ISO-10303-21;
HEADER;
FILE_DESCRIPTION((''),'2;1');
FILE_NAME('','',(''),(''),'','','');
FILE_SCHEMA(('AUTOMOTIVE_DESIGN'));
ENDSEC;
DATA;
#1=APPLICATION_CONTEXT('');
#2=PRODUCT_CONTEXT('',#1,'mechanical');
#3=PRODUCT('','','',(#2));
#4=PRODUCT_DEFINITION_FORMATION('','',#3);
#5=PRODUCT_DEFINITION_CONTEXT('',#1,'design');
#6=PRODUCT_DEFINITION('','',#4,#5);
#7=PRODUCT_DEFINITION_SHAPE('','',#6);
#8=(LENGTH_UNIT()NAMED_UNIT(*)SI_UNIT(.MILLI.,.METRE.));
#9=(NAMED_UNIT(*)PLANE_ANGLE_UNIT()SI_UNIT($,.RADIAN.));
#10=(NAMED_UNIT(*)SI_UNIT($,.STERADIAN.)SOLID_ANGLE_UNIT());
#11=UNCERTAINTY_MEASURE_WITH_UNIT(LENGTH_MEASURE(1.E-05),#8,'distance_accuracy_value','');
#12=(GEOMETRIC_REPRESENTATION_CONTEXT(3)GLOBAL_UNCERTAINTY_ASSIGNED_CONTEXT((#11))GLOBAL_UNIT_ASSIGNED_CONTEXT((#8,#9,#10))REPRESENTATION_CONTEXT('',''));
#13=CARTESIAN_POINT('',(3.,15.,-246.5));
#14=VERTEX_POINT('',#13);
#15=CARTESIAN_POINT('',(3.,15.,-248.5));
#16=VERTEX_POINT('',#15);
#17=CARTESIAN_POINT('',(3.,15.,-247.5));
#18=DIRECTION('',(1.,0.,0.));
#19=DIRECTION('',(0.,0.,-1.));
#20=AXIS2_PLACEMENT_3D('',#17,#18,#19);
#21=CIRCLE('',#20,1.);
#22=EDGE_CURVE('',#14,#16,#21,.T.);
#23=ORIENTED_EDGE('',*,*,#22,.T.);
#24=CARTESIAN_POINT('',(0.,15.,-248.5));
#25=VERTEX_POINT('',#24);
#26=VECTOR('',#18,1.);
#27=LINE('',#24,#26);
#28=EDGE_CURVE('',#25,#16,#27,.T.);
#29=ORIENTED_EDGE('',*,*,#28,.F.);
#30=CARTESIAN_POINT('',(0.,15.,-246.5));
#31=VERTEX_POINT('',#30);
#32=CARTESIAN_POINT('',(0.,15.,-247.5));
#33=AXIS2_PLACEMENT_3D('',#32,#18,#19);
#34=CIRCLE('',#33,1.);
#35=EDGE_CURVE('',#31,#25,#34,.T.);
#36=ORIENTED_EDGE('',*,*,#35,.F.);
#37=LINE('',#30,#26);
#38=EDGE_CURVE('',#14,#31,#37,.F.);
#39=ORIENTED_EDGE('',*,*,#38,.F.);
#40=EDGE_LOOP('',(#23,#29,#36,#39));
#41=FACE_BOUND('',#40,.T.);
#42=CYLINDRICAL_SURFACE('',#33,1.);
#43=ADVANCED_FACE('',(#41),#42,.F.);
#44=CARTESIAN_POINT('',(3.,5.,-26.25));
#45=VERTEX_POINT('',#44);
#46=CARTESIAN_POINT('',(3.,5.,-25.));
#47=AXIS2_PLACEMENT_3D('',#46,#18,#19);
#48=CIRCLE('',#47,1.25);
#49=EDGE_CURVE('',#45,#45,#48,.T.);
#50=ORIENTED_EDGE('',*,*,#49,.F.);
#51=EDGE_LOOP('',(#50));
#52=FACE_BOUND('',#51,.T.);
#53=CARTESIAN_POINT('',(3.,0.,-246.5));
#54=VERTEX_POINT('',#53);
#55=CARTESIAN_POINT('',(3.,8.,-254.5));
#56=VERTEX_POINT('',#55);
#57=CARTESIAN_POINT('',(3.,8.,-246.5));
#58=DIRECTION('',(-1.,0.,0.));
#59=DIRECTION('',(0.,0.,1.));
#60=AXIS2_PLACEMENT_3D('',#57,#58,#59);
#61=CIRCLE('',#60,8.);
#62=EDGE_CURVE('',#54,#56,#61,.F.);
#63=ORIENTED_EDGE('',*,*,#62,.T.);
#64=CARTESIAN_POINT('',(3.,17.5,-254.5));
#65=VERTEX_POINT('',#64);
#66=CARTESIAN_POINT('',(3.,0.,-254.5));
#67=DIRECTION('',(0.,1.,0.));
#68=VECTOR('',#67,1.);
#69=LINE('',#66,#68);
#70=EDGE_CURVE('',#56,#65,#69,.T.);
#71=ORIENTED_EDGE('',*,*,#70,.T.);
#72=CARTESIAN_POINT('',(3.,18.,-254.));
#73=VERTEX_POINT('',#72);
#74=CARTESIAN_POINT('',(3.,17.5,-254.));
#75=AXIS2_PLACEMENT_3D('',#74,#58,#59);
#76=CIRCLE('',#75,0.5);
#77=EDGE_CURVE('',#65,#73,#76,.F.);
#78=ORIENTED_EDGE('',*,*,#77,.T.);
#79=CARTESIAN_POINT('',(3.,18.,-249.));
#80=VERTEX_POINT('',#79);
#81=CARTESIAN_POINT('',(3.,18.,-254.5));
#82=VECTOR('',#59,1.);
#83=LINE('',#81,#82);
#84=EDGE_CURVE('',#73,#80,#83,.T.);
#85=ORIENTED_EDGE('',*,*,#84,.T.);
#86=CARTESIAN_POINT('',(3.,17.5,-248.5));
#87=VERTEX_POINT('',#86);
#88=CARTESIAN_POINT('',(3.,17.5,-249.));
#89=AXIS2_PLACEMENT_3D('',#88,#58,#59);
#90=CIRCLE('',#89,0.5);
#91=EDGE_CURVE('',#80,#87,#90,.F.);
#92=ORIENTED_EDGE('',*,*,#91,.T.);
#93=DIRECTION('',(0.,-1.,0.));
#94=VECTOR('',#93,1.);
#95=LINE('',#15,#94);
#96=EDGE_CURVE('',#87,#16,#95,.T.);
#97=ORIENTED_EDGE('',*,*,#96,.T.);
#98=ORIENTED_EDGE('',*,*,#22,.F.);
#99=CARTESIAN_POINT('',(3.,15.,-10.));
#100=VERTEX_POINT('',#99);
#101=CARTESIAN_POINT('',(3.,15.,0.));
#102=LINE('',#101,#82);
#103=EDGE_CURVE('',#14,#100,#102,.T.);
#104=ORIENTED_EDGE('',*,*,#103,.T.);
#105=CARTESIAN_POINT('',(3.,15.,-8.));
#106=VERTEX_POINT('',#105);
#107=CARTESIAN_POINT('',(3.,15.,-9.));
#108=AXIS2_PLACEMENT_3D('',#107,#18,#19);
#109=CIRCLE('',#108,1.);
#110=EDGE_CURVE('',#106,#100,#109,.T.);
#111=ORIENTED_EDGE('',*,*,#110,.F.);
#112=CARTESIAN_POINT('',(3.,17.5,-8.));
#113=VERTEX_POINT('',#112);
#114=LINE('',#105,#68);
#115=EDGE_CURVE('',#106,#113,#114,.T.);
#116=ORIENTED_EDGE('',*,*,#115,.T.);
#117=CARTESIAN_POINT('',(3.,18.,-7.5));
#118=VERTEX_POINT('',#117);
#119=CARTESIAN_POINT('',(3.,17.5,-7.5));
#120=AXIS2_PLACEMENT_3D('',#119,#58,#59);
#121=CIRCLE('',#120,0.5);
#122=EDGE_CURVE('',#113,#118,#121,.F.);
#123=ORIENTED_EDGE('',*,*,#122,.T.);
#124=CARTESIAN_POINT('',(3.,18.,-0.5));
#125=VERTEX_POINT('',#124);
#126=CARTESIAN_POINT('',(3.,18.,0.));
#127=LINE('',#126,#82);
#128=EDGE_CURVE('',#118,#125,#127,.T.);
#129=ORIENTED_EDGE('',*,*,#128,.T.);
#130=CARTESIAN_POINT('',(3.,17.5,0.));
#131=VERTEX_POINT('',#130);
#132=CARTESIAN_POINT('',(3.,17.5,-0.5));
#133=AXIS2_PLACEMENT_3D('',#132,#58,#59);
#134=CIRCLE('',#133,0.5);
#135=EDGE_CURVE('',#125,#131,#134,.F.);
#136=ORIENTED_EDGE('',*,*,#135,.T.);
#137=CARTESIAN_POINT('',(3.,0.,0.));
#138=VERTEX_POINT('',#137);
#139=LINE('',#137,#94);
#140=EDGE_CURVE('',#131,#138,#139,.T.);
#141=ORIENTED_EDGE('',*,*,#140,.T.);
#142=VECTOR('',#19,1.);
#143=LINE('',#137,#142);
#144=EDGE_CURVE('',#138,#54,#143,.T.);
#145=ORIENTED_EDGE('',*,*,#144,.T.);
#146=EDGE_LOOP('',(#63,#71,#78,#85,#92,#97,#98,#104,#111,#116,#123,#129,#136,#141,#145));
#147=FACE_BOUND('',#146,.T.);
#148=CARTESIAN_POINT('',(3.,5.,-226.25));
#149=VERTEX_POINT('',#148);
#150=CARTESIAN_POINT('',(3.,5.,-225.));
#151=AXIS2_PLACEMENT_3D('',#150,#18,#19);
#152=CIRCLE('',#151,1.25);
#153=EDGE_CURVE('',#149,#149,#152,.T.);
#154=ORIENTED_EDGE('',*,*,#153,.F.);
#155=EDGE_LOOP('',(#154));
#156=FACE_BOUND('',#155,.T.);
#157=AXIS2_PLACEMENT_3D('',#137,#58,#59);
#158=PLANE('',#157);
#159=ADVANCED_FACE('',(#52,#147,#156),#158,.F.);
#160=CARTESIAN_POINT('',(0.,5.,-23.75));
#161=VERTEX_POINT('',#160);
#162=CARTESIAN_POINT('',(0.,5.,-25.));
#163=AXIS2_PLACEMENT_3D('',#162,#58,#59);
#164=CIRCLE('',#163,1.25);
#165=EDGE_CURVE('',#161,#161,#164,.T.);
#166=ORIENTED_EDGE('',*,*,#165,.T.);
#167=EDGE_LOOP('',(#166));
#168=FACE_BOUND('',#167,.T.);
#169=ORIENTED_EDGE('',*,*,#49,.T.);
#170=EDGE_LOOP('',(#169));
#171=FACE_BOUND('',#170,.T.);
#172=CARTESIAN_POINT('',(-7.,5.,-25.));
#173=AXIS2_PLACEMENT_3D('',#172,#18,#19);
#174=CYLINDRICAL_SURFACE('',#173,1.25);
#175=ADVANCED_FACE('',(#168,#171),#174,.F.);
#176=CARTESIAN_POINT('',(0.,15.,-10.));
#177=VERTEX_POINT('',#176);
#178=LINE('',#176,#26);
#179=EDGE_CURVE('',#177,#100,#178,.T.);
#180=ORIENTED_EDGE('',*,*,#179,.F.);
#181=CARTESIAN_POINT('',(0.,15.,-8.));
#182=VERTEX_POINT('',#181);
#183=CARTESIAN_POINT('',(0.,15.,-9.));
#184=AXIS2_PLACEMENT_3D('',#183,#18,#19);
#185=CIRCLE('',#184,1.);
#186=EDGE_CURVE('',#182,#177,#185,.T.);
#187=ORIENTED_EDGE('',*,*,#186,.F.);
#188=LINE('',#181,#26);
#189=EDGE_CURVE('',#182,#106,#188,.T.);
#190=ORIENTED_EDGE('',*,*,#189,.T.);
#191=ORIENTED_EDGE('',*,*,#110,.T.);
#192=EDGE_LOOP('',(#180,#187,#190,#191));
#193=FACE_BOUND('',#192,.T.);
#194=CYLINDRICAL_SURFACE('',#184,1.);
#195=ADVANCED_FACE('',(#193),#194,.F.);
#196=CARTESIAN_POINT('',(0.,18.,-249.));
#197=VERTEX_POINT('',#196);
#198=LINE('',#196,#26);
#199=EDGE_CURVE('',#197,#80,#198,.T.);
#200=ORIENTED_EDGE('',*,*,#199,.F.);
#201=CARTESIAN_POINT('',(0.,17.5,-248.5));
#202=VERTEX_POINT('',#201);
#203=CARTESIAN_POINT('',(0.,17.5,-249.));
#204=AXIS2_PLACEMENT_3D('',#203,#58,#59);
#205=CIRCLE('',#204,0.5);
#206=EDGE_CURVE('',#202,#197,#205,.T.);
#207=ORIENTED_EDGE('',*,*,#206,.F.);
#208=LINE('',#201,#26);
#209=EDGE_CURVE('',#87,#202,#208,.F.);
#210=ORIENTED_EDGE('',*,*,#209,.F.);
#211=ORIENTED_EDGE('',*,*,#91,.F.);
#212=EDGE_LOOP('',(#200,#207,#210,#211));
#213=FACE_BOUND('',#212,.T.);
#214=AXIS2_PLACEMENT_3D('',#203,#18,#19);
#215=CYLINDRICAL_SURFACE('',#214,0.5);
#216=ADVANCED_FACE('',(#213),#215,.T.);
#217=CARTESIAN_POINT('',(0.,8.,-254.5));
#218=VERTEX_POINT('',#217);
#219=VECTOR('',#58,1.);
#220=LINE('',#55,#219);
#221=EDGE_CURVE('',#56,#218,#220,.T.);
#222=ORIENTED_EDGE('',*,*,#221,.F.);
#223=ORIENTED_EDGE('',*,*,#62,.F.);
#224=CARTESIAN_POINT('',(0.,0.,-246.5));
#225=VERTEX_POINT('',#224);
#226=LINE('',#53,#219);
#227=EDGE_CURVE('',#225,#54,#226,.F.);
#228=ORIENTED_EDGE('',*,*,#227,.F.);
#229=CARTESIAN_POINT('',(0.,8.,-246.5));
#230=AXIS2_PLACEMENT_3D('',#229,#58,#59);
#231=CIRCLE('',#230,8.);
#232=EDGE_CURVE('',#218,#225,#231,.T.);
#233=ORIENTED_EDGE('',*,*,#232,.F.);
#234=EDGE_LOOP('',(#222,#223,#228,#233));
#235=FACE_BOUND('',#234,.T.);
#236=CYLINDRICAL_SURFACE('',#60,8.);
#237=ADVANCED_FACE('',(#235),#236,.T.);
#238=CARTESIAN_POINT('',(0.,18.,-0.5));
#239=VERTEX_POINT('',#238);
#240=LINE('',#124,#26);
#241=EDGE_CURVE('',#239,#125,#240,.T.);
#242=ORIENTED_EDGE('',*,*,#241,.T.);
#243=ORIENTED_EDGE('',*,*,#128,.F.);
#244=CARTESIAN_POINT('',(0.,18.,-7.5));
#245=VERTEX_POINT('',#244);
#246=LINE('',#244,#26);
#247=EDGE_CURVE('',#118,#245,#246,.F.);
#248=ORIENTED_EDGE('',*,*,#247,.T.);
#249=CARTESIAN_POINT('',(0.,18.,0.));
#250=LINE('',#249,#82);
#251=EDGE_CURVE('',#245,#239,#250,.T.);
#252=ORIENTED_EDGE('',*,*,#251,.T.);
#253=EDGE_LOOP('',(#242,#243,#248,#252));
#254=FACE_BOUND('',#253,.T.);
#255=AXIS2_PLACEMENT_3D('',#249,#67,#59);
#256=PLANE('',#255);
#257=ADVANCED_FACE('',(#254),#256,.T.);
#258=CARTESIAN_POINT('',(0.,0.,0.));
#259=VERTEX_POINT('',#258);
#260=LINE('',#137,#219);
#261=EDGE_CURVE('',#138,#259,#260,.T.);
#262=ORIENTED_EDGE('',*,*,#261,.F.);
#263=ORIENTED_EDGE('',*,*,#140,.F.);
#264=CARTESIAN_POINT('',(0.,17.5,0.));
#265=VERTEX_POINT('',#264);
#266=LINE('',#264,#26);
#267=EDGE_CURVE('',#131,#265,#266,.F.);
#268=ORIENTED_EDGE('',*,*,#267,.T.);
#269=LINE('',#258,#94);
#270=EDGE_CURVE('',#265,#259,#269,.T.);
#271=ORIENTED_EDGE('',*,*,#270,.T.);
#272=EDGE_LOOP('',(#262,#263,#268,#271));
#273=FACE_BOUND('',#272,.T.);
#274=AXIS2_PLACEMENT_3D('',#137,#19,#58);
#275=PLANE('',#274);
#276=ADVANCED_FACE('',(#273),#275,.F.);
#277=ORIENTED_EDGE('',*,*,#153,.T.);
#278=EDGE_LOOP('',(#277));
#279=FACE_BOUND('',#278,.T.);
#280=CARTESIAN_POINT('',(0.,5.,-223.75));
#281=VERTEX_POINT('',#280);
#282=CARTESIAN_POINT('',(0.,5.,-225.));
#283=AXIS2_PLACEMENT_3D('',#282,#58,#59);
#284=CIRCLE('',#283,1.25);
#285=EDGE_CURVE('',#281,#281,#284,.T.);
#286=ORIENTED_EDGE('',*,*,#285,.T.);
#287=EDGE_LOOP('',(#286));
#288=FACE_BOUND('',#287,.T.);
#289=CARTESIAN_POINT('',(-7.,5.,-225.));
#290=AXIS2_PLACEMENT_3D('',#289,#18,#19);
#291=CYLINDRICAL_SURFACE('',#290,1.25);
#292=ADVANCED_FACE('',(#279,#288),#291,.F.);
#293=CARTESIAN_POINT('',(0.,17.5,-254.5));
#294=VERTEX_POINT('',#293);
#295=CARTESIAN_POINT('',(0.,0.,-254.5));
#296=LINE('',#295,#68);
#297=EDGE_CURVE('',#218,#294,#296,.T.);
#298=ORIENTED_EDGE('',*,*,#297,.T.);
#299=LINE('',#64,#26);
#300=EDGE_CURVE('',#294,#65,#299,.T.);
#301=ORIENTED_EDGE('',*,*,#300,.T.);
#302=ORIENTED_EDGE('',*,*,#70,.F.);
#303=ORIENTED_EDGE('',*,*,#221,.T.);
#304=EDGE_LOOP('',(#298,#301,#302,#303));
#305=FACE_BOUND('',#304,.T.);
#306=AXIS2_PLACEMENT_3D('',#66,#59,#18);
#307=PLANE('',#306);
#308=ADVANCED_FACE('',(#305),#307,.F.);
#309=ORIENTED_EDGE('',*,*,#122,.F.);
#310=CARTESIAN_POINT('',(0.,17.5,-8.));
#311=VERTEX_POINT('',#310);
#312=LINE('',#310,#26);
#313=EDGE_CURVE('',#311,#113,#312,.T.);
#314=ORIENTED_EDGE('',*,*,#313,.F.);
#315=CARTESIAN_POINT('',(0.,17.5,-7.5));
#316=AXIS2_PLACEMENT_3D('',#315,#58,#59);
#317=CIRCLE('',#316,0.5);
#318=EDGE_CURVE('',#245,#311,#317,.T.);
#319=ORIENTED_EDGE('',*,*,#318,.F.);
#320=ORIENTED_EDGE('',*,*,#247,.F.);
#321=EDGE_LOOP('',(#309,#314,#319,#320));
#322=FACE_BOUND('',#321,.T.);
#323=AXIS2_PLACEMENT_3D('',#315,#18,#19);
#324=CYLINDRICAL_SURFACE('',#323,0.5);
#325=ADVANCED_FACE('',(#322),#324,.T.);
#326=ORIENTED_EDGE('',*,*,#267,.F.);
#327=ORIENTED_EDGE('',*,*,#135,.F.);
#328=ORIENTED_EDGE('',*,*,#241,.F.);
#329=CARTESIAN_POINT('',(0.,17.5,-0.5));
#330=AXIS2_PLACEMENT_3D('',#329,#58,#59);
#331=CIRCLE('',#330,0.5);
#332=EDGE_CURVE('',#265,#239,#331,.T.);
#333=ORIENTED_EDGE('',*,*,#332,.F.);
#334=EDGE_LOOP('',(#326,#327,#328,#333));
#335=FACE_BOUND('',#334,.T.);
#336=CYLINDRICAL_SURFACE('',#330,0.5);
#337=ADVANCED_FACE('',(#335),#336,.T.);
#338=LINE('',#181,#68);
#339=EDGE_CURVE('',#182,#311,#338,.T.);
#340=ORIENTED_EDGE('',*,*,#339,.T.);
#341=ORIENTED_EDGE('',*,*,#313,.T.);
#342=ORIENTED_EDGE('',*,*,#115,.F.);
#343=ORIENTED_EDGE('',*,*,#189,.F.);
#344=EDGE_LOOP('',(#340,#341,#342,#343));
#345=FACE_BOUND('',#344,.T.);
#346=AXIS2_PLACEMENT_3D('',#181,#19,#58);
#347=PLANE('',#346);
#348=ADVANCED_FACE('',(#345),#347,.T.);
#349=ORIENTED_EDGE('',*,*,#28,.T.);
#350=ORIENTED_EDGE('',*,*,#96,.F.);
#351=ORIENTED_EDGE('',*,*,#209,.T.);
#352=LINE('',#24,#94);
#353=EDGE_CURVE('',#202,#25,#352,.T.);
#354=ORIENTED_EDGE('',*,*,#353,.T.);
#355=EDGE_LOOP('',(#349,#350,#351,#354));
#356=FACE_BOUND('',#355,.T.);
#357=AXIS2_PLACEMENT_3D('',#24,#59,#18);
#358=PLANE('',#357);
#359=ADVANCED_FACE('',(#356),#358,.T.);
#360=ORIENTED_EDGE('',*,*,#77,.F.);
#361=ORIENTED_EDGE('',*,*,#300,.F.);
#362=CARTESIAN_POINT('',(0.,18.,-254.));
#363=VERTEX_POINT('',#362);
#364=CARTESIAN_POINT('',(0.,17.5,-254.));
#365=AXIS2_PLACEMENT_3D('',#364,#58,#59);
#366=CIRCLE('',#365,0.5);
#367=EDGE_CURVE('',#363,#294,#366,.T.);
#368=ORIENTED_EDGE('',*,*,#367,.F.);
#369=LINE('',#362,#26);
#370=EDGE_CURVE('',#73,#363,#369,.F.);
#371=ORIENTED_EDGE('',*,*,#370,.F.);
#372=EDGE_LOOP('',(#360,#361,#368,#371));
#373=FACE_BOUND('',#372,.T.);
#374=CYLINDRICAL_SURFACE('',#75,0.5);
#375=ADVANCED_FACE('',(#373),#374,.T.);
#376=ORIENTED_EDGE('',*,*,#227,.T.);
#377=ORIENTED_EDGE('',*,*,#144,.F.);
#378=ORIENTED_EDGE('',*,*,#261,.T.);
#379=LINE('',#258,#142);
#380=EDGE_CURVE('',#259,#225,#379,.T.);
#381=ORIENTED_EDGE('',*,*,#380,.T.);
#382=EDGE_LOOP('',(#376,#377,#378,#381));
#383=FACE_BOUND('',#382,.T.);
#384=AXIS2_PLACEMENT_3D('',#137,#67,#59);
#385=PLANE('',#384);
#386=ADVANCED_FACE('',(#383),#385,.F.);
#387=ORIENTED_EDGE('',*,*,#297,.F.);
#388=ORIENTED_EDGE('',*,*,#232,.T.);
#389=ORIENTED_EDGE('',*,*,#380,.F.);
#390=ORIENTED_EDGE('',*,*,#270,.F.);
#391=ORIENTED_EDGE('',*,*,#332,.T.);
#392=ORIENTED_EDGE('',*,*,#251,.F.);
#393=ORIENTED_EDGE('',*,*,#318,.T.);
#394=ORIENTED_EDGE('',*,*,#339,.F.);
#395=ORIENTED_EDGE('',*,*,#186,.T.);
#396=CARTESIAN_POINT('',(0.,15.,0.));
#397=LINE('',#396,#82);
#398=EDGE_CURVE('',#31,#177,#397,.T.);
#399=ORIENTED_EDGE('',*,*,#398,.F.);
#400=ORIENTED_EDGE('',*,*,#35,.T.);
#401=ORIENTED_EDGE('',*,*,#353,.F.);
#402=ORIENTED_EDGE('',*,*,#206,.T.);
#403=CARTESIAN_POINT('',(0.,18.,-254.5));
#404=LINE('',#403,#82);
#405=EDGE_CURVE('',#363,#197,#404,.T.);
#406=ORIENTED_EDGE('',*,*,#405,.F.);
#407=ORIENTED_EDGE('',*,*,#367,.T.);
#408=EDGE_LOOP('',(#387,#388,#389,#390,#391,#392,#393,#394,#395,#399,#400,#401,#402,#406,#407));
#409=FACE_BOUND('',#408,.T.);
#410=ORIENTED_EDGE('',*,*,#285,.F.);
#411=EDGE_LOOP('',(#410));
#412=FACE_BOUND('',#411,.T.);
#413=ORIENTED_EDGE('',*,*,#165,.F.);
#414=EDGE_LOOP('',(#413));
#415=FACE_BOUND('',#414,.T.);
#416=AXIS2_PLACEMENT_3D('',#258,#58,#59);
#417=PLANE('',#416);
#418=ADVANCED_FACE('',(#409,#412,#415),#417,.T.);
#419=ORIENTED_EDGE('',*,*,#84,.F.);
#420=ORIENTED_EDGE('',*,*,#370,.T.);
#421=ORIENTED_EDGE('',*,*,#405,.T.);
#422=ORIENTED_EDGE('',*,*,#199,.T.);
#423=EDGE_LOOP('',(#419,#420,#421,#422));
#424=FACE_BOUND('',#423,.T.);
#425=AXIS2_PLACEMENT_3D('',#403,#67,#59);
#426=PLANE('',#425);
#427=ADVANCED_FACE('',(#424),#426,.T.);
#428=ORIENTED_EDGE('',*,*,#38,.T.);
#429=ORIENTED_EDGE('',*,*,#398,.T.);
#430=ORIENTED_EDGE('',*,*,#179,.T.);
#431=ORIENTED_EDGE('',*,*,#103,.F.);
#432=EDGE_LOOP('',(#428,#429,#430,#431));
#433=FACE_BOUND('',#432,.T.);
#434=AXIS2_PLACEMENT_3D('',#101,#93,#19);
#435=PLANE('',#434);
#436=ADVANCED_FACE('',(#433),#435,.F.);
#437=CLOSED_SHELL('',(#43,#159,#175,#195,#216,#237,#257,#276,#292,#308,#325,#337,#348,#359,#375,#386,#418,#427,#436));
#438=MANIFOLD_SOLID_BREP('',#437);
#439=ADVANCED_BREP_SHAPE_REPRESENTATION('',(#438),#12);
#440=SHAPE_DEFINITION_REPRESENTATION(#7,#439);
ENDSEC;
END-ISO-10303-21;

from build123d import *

# Parameters (mm, degrees)
SKETCH_1_W          = 254.5
SKETCH_1_H          = 15
EXTRUDE_1_DEPTH     = 3
SKETCH_2_W          = 8
SKETCH_2_H          = 3
SKETCH_2_W_2        = 6
EXTRUDE_2_DEPTH     = 3
SKETCH_3_R          = 1
CUT_EXTRUDE_1_DEPTH = 3
FILLET_1_R          = 0.5
SKETCH_4_R          = 1.25
CUT_EXTRUDE_2_DEPTH = 10
FILLET_2_R          = 8


with BuildPart() as part:
    # 스케치1 → 보스-돌출1 (new body)
    with BuildSketch(Plane(origin=(0, 0, 0), x_dir=(0, 0, -1), z_dir=(1, 0, 0))):
        with Locations((127.25, 7.5)):
            Rectangle(SKETCH_1_W, SKETCH_1_H)
    extrude(amount=EXTRUDE_1_DEPTH)

    # 스케치2 → 보스-돌출2 (add)
    with BuildSketch(Plane(origin=(3, 0, 0), x_dir=(0, 0, -1), z_dir=(1, 0, 0))):
        with Locations((4, 16.5)):
            Rectangle(SKETCH_2_W, SKETCH_2_H)
        with Locations((251.5, 16.5)):
            Rectangle(SKETCH_2_W_2, SKETCH_2_H)
    extrude(amount=-EXTRUDE_2_DEPTH)

    # 스케치3 → 컷-돌출1 (cut)
    with BuildSketch(Plane(origin=(3, 0, 0), x_dir=(0, 0, -1), z_dir=(1, 0, 0))):
        with Locations((9, 15)):
            Circle(SKETCH_3_R)
        with Locations((247.5, 15)):
            Circle(SKETCH_3_R)
    extrude(amount=-CUT_EXTRUDE_1_DEPTH, mode=Mode.SUBTRACT)

    # 필렛1
    fillet_1_edges = [part.edges().sort_by_distance(p)[0] for p in [
        (1.5, 18, 0),
        (1.5, 18, -8),
        (1.5, 18, -254.5),
        (1.5, 18, -248.5),
    ]]
    fillet(fillet_1_edges, radius=FILLET_1_R)

    # 스케치4 → 컷-돌출2 (cut)
    with BuildSketch(Plane(origin=(3, 0, 0), x_dir=(0, 0, -1), z_dir=(1, 0, 0))):
        with Locations((225, 5)):
            Circle(SKETCH_4_R)
        with Locations((25, 5)):
            Circle(SKETCH_4_R)
    extrude(amount=-CUT_EXTRUDE_2_DEPTH, mode=Mode.SUBTRACT)

    # 필렛2
    fillet_2_edges = [part.edges().sort_by_distance(p)[0] for p in [
        (1.5, 0, -254.5),
    ]]
    fillet(fillet_2_edges, radius=FILLET_2_R)


solid = part.part
